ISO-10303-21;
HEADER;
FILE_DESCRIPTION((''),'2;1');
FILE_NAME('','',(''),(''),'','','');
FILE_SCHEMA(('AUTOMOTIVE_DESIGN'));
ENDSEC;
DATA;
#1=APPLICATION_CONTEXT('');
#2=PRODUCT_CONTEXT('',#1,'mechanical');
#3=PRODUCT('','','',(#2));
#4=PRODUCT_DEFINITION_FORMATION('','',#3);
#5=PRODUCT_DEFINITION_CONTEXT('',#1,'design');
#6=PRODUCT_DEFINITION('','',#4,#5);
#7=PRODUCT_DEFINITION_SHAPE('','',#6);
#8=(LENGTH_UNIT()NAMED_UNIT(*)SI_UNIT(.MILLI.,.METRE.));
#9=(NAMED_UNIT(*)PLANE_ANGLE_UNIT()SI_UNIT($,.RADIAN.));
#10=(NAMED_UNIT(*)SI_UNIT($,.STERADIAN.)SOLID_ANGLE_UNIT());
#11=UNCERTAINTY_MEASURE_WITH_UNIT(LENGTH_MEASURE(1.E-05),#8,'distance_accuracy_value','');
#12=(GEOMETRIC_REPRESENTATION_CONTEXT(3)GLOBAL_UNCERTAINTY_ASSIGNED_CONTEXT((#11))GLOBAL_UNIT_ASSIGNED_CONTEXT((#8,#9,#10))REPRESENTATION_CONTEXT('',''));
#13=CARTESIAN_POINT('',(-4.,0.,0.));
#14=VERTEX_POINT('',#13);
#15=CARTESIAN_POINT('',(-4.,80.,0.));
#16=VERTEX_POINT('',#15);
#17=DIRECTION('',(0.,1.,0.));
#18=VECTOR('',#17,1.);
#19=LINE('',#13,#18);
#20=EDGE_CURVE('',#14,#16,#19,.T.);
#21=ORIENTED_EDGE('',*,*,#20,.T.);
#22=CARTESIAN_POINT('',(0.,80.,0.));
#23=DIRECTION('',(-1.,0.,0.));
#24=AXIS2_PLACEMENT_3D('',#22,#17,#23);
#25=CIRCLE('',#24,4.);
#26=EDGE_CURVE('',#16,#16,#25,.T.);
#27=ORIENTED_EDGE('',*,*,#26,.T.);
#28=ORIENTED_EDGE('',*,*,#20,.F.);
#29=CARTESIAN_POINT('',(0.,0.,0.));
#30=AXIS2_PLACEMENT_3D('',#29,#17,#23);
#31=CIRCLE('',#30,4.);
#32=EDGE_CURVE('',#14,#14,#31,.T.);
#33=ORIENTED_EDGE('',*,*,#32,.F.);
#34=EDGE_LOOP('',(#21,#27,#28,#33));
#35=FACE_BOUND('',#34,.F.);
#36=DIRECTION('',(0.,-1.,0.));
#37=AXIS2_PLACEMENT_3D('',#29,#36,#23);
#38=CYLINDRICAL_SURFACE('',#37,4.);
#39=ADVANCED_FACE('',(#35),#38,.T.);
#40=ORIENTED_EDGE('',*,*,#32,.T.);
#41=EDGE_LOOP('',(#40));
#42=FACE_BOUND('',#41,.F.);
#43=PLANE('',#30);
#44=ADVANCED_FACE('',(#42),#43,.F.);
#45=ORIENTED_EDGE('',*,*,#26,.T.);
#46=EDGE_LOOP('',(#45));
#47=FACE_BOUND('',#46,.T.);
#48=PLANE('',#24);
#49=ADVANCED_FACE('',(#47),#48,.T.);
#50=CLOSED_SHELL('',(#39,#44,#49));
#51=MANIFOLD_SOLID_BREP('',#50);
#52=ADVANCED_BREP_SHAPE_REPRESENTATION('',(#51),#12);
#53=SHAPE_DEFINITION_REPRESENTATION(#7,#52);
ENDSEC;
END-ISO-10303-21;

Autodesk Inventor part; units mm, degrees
ref_plane "YZ Plane" through (0, 0, 0) normal (1, 0, 0) x (0, 1, 0)
ref_plane "XZ Plane" through (0, 0, 0) normal (0, 1, 0) x (-1, 0, 0)
ref_plane "XY Plane" through (0, 0, 0) normal (0, 0, 1) x (1, 0, 0)
sketch "Sketch1" plane through (0, 0, 0) normal (0, 1, 0) x (-1, 0, 0)
  circle A0 centre (0, 0) radius 4
  dimension "d0" = 8
extrude "Extrusion1" add sketch "Sketch1" along normal blind 80
properties part number "blade_rod"
